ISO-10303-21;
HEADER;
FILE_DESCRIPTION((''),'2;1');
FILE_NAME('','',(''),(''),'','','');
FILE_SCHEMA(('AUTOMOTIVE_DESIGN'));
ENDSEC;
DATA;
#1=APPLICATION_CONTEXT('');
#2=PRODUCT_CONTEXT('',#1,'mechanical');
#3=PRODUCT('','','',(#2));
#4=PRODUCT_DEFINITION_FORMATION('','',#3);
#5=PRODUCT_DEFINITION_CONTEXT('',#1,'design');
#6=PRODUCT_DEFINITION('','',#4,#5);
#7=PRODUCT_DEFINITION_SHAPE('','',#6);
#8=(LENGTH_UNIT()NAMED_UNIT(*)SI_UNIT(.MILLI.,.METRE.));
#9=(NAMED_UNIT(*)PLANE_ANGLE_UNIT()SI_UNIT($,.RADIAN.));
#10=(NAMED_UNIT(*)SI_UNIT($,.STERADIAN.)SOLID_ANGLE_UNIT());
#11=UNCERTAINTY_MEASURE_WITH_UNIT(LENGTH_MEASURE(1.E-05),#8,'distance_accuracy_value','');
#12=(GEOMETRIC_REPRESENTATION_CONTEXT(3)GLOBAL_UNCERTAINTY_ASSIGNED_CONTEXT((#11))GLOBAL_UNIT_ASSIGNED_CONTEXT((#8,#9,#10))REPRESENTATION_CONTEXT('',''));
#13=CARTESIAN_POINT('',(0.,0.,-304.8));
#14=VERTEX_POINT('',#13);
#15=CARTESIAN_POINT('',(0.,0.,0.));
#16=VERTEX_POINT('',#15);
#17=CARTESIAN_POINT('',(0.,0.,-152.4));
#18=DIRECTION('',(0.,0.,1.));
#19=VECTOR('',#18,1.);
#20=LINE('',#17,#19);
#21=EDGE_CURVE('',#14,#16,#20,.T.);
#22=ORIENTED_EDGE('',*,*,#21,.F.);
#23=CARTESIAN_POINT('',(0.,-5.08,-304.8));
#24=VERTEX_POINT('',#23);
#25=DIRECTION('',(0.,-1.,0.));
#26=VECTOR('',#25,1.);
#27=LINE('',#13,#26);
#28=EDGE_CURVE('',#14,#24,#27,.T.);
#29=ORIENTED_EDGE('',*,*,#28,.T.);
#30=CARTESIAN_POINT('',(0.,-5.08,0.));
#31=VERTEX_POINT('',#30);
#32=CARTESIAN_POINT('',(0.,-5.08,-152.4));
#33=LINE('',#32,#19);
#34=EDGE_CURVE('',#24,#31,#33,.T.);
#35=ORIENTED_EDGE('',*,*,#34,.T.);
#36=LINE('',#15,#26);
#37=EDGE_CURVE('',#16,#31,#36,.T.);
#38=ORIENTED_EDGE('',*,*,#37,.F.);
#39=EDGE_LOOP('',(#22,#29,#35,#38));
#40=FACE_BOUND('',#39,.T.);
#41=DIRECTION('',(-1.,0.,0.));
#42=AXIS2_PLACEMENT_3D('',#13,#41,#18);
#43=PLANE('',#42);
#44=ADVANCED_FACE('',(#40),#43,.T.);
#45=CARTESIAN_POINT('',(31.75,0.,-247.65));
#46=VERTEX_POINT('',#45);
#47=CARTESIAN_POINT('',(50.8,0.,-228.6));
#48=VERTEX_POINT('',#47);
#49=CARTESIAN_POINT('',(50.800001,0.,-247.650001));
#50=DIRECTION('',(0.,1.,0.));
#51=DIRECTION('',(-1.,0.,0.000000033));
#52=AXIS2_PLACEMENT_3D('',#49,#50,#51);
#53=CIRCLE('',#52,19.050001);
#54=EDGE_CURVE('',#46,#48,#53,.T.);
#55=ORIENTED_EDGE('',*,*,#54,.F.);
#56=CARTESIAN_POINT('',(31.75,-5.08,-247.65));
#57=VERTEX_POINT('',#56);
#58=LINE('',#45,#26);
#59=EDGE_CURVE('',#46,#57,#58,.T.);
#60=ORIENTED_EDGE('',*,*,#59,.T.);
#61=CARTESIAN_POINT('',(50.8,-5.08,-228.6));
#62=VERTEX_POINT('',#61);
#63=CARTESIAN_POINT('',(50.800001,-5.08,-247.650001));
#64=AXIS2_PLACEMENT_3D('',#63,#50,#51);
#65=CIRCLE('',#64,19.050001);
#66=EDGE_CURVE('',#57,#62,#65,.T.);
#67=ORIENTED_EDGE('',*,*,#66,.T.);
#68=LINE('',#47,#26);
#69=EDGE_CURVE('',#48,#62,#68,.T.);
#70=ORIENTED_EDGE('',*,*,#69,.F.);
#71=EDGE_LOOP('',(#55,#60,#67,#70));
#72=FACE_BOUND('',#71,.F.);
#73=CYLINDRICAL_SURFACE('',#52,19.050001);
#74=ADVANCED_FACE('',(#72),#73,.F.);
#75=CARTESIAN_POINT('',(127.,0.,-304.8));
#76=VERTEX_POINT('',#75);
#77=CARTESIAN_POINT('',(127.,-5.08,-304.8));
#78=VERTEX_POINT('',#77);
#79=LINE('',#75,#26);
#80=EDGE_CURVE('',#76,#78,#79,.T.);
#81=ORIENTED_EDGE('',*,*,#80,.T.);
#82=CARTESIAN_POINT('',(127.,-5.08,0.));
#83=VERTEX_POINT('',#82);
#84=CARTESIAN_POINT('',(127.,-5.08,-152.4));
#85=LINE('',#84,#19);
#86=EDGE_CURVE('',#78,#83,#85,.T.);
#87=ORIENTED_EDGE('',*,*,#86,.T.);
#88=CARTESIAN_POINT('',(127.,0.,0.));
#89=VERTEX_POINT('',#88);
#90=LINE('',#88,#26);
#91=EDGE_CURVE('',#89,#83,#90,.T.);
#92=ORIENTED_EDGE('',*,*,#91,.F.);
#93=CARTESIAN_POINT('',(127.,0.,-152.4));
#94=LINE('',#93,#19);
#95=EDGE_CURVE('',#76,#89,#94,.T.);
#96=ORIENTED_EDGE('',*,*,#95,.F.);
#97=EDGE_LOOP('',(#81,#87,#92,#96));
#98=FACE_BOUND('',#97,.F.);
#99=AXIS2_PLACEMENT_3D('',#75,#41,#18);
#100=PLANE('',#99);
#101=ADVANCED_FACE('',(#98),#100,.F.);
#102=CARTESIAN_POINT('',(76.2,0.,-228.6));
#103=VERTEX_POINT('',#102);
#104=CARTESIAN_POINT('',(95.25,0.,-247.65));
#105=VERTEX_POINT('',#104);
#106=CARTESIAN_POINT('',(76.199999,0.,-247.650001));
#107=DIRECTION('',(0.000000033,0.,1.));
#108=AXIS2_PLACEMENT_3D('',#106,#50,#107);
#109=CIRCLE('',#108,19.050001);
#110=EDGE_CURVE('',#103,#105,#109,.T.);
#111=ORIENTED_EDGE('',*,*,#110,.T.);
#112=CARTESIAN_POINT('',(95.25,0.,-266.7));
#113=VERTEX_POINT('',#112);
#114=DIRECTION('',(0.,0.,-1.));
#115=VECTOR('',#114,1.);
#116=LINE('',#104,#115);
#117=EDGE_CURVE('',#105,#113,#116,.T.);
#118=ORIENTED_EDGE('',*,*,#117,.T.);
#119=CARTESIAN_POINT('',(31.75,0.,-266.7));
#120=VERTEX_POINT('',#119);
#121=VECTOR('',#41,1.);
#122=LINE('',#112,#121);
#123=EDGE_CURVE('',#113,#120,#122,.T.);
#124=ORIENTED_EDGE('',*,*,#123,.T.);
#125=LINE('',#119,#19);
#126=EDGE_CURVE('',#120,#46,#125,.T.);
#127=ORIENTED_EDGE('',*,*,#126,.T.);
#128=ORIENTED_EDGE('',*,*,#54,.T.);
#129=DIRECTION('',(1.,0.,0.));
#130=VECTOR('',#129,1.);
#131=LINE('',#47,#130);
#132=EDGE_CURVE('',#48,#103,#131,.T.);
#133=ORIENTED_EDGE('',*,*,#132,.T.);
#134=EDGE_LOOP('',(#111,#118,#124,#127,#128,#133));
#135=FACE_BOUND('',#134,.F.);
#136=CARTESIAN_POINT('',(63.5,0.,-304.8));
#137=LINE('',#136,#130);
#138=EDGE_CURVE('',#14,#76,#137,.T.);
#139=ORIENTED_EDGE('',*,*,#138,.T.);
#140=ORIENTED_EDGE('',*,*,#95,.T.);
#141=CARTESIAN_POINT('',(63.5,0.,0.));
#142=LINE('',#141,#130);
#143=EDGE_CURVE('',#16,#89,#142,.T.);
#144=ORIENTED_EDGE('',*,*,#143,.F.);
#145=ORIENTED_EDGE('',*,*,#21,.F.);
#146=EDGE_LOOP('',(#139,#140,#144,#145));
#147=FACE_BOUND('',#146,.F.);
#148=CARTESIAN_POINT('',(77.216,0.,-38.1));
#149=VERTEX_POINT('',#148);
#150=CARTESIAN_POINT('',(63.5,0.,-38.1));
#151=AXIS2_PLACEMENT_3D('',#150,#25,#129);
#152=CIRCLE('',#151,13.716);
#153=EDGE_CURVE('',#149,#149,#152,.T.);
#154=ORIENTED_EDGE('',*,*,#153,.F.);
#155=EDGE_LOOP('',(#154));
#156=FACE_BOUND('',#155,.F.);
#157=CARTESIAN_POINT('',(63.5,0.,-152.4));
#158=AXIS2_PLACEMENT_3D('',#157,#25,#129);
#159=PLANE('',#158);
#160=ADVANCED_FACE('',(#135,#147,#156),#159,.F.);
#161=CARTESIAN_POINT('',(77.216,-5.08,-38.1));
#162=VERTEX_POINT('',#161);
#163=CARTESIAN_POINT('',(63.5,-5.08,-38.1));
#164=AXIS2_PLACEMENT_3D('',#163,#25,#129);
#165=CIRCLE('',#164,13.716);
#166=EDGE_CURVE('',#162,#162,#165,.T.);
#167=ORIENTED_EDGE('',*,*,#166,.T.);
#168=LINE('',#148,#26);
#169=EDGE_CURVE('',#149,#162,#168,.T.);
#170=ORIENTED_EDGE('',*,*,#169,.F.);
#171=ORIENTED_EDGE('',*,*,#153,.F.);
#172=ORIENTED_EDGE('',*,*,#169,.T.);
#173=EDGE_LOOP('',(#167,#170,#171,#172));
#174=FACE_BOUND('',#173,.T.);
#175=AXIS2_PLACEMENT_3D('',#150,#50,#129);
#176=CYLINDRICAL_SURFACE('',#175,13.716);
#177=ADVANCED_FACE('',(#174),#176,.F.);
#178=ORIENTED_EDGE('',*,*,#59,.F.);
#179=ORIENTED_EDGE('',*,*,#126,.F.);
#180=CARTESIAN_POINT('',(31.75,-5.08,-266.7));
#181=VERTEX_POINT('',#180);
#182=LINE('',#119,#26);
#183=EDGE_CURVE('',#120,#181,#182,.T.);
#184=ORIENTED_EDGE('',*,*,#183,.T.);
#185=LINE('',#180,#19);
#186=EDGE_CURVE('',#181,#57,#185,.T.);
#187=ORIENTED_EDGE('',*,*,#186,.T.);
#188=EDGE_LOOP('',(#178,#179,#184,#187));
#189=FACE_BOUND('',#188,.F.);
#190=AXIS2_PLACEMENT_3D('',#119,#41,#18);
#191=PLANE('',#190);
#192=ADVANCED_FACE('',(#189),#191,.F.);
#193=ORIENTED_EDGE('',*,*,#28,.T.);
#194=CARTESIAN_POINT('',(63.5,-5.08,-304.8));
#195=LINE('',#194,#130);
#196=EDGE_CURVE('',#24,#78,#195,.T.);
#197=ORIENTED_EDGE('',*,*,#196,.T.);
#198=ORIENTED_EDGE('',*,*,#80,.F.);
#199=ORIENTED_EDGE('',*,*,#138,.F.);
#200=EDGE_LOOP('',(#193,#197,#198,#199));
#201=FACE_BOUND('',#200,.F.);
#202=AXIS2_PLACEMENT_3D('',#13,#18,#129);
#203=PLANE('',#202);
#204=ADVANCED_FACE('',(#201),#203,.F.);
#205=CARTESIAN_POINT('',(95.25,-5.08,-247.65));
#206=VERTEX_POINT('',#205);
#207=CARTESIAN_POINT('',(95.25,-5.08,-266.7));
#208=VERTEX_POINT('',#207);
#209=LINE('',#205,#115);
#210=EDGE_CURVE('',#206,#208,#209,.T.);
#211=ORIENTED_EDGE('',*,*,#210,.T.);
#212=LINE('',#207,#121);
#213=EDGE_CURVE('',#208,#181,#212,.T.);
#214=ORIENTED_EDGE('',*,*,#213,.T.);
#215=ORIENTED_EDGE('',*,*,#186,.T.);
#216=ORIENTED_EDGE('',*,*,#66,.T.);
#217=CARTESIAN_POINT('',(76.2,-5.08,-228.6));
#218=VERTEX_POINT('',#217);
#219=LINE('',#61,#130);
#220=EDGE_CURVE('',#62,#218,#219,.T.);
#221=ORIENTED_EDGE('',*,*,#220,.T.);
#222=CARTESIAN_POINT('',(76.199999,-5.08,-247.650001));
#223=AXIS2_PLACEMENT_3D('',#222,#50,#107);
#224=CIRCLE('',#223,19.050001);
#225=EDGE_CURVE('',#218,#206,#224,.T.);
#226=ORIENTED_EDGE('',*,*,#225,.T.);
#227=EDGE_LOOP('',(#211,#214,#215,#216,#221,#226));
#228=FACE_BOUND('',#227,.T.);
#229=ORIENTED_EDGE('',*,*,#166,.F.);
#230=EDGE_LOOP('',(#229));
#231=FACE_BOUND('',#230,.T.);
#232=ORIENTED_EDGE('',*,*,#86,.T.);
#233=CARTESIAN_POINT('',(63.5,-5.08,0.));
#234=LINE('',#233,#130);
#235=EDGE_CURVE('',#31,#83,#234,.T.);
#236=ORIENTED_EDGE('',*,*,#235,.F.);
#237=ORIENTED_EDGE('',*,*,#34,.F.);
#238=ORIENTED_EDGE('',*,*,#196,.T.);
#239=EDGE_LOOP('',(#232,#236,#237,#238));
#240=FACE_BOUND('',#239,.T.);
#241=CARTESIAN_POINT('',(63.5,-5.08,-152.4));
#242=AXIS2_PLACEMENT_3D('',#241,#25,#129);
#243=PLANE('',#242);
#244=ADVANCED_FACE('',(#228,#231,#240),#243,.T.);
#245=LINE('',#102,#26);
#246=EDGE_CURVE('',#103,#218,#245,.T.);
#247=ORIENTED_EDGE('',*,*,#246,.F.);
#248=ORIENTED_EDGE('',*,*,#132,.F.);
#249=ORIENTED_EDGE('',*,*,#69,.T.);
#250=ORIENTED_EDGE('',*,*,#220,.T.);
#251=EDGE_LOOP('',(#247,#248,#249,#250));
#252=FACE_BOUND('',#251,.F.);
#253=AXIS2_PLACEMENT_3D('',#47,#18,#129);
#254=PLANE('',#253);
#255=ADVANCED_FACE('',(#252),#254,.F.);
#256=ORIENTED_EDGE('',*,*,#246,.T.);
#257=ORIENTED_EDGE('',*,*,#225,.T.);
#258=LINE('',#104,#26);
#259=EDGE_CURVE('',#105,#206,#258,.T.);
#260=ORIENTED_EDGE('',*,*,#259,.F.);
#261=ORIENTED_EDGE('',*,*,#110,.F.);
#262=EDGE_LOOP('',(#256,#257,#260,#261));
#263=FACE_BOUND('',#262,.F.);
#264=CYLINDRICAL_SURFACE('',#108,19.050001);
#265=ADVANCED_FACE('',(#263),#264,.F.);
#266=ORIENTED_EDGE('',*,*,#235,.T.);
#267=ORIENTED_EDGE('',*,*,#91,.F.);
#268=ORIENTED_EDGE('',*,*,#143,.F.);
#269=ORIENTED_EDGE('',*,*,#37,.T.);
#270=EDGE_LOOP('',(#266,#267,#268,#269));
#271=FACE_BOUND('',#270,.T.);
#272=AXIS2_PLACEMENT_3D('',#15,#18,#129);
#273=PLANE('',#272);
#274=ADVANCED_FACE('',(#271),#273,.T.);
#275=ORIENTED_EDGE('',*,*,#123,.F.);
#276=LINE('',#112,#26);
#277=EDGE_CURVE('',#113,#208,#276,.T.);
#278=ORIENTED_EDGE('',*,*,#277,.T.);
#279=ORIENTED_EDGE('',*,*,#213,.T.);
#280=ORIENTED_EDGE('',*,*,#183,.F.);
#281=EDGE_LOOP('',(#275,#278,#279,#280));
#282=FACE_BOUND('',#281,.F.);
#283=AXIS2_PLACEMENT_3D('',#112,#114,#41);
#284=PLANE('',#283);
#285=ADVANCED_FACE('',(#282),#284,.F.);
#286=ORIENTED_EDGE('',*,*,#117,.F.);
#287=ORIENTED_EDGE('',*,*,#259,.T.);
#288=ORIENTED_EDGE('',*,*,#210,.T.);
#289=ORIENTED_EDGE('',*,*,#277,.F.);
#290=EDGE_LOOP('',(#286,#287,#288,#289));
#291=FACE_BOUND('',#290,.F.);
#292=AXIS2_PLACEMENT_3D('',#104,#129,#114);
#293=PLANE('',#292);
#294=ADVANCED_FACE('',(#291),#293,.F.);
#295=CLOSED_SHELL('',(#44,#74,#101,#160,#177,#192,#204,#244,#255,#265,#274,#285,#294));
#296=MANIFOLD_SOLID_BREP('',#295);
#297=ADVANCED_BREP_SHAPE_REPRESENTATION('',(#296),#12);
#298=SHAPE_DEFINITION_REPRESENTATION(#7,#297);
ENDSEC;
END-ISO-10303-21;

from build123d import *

# Parameters (mm, degrees)
F0_W     = 127
F0_H     = 304.8
F0_R     = 13.716
F1_DEPTH = 5.08


with BuildPart() as f1:
    # F0 (on Front) → F1 (new body)
    with BuildSketch(Plane.XZ):
        with Locations((63.5, -152.4)):
            Rectangle(F0_W, F0_H)
        with BuildLine():
            Line((95.25, -266.7), (31.75, -266.7))
            Line((31.75, -266.7), (31.75, -247.65))
            ThreePointArc((31.75, -247.65), (37.329616, -234.179616), (50.8, -228.6))
            Line((50.8, -228.6), (76.2, -228.6))
            ThreePointArc((76.2, -228.6), (89.670384, -234.179616), (95.25, -247.65))
            Line((95.25, -247.65), (95.25, -266.7))
        make_face(mode=Mode.SUBTRACT)
        with Locations((63.5, -38.1)):
            Circle(F0_R, mode=Mode.SUBTRACT)
    extrude(amount=F1_DEPTH)


solid = f1.part
